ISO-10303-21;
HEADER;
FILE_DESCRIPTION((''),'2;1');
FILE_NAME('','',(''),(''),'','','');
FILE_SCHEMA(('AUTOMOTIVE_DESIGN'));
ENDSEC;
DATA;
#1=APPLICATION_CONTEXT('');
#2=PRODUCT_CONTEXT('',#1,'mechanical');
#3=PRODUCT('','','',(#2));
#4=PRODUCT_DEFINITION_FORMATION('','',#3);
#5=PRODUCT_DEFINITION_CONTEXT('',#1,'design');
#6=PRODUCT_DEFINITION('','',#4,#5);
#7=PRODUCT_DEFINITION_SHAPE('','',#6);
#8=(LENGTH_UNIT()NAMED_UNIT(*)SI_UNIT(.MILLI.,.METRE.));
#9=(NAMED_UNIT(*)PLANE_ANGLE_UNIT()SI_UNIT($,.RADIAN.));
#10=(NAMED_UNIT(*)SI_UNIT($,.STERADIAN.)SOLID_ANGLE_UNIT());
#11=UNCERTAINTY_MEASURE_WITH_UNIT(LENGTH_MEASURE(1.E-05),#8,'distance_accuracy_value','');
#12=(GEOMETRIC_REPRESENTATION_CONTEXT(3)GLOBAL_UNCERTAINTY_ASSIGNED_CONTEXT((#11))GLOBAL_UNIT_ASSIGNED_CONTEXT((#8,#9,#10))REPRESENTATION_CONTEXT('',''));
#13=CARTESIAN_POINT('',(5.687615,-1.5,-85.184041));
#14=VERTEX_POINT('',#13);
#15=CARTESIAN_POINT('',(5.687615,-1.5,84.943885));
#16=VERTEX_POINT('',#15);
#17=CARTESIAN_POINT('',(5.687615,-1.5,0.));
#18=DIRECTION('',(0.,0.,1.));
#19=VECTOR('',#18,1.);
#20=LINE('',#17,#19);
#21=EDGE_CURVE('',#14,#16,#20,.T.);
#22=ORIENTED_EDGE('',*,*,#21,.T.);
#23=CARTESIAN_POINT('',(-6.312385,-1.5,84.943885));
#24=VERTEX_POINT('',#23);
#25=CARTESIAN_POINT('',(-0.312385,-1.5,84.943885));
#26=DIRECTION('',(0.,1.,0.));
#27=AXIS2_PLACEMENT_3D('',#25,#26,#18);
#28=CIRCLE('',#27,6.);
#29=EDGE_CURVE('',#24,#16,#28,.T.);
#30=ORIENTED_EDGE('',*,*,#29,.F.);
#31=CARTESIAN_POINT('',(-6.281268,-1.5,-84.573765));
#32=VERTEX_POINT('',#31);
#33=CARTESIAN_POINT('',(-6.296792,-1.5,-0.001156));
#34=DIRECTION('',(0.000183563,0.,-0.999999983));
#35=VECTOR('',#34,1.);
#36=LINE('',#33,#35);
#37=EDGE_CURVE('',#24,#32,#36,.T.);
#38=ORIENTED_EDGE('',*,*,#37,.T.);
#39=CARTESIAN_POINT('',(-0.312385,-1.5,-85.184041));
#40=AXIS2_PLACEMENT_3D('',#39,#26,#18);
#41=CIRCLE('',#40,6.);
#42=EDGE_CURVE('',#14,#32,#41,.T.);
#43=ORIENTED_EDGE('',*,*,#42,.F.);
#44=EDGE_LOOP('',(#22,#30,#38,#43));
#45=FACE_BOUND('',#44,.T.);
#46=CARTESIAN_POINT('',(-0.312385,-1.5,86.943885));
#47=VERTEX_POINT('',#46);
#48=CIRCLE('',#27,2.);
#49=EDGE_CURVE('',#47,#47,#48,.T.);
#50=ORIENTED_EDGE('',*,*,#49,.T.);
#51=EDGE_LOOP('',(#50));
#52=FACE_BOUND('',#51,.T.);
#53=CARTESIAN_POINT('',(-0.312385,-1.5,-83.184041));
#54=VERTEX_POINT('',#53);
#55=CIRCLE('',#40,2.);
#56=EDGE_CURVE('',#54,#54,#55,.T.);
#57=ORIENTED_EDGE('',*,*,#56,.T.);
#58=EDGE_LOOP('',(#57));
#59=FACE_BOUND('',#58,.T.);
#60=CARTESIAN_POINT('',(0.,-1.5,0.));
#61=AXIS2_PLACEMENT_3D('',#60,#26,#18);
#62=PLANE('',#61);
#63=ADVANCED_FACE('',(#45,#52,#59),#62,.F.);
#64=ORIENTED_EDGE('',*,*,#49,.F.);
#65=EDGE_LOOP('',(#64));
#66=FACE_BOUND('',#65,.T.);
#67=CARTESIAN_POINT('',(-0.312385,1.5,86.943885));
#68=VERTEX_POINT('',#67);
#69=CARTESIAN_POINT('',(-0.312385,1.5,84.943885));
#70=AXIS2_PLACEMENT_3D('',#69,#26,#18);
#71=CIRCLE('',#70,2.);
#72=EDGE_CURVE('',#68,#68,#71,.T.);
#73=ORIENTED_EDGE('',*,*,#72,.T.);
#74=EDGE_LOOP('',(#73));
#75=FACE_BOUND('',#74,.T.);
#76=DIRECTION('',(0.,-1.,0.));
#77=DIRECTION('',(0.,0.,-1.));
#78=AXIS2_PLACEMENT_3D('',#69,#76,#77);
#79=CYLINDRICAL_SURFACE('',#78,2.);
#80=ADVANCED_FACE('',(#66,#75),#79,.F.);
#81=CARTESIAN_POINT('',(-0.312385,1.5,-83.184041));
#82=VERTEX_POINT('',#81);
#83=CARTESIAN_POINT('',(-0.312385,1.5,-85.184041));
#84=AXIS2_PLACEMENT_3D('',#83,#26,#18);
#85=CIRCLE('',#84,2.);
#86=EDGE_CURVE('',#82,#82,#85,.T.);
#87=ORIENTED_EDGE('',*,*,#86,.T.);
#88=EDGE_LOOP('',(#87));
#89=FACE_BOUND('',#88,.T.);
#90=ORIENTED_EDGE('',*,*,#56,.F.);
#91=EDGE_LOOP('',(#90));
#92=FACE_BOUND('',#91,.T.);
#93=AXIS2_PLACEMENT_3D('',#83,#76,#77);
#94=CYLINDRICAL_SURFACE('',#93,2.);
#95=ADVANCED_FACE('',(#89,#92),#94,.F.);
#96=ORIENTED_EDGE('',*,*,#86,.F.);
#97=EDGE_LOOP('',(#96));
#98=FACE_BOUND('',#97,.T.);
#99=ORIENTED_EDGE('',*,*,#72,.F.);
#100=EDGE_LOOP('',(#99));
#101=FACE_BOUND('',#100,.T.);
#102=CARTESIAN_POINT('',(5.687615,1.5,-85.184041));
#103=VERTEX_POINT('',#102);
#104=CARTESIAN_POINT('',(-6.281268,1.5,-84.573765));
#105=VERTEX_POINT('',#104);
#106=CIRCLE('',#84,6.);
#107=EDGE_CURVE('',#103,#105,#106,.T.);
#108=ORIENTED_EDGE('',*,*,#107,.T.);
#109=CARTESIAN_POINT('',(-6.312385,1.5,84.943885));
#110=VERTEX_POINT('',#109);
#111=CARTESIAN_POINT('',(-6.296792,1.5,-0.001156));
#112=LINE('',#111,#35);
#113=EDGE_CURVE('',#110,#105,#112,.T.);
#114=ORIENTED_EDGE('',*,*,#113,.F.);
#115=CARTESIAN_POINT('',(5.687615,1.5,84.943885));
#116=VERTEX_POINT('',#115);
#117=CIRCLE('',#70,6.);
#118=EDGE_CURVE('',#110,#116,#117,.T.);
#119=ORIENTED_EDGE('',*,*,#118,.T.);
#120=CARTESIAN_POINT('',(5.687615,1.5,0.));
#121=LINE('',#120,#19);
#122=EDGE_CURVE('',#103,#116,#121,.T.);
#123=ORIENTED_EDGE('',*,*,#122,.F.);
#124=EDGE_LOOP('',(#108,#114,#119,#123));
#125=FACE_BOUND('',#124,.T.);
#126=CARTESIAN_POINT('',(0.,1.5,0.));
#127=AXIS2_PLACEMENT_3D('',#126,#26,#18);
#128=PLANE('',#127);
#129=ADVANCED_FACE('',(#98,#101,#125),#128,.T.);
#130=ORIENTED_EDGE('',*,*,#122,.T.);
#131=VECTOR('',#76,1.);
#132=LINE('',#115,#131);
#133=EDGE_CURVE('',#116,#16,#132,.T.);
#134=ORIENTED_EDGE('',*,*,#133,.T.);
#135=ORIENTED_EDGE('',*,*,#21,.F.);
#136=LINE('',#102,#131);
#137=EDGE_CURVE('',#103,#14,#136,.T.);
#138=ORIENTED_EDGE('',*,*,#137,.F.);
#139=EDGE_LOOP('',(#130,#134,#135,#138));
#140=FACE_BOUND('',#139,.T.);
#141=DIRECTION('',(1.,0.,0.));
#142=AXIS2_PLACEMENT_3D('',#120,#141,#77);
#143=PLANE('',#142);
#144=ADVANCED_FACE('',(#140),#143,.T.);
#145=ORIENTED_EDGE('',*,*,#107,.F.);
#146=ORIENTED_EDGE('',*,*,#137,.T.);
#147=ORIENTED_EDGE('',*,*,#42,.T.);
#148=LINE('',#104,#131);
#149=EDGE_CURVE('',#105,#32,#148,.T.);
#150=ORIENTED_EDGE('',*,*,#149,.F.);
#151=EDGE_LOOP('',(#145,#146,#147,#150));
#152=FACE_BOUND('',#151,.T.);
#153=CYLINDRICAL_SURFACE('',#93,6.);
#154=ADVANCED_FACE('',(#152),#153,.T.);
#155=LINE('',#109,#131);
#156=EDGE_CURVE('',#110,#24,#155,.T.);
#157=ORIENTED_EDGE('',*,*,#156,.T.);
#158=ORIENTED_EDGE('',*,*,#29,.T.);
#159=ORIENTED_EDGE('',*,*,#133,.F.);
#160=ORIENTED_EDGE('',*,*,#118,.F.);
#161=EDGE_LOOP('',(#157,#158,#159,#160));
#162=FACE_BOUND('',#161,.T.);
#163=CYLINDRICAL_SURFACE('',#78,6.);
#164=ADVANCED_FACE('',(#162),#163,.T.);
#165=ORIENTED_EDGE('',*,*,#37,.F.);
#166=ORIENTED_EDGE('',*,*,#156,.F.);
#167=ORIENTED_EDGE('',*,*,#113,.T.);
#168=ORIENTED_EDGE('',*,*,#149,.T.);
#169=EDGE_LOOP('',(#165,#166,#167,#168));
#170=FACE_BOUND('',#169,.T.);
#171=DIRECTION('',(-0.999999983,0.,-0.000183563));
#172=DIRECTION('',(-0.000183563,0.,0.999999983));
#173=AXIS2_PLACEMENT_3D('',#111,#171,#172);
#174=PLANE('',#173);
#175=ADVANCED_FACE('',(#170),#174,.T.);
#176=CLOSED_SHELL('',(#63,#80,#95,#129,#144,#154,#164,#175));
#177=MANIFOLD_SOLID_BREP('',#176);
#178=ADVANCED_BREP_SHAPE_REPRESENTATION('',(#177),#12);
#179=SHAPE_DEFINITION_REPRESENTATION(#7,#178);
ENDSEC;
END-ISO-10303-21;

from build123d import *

# Parameters (mm, degrees)
SKETCH1_R           = 2
BOSS_EXTRUDE1_DEPTH = 1.5


with BuildPart() as part:
    # Sketch1 → Boss-Extrude1 (new, symmetric)
    with BuildSketch(Plane(origin=(0, 0, 0), x_dir=(1, 0, 0), z_dir=(0, 1, 0))):
        with BuildLine():
            Line((-6.312384572, -84.941682553), (-6.312384976, -84.943885306))
            ThreePointArc((-6.312384976, -84.943885306), (-0.312384976, -90.943885306), (5.687615024, -84.943885306))
            Line((5.687615024, -84.943885306), (5.687615024, 85.184041034))
            ThreePointArc((5.687615024, 85.184041034), (-0.617919518, 91.176256705), (-6.281267857, 84.573764744))
            Line((-6.281267857, 84.573764744), (-6.312384572, -84.941682553))
        make_face()
        with Locations(Location((-0.312384976, -84.943885306, 0), (0, 0, 270))):
            Circle(SKETCH1_R, mode=Mode.SUBTRACT)
        with Locations(Location((-0.312384976, 85.184041034, 0), (0, 0, 270))):
            Circle(SKETCH1_R, mode=Mode.SUBTRACT)
    extrude(amount=BOSS_EXTRUDE1_DEPTH, both=True)


solid = part.part
